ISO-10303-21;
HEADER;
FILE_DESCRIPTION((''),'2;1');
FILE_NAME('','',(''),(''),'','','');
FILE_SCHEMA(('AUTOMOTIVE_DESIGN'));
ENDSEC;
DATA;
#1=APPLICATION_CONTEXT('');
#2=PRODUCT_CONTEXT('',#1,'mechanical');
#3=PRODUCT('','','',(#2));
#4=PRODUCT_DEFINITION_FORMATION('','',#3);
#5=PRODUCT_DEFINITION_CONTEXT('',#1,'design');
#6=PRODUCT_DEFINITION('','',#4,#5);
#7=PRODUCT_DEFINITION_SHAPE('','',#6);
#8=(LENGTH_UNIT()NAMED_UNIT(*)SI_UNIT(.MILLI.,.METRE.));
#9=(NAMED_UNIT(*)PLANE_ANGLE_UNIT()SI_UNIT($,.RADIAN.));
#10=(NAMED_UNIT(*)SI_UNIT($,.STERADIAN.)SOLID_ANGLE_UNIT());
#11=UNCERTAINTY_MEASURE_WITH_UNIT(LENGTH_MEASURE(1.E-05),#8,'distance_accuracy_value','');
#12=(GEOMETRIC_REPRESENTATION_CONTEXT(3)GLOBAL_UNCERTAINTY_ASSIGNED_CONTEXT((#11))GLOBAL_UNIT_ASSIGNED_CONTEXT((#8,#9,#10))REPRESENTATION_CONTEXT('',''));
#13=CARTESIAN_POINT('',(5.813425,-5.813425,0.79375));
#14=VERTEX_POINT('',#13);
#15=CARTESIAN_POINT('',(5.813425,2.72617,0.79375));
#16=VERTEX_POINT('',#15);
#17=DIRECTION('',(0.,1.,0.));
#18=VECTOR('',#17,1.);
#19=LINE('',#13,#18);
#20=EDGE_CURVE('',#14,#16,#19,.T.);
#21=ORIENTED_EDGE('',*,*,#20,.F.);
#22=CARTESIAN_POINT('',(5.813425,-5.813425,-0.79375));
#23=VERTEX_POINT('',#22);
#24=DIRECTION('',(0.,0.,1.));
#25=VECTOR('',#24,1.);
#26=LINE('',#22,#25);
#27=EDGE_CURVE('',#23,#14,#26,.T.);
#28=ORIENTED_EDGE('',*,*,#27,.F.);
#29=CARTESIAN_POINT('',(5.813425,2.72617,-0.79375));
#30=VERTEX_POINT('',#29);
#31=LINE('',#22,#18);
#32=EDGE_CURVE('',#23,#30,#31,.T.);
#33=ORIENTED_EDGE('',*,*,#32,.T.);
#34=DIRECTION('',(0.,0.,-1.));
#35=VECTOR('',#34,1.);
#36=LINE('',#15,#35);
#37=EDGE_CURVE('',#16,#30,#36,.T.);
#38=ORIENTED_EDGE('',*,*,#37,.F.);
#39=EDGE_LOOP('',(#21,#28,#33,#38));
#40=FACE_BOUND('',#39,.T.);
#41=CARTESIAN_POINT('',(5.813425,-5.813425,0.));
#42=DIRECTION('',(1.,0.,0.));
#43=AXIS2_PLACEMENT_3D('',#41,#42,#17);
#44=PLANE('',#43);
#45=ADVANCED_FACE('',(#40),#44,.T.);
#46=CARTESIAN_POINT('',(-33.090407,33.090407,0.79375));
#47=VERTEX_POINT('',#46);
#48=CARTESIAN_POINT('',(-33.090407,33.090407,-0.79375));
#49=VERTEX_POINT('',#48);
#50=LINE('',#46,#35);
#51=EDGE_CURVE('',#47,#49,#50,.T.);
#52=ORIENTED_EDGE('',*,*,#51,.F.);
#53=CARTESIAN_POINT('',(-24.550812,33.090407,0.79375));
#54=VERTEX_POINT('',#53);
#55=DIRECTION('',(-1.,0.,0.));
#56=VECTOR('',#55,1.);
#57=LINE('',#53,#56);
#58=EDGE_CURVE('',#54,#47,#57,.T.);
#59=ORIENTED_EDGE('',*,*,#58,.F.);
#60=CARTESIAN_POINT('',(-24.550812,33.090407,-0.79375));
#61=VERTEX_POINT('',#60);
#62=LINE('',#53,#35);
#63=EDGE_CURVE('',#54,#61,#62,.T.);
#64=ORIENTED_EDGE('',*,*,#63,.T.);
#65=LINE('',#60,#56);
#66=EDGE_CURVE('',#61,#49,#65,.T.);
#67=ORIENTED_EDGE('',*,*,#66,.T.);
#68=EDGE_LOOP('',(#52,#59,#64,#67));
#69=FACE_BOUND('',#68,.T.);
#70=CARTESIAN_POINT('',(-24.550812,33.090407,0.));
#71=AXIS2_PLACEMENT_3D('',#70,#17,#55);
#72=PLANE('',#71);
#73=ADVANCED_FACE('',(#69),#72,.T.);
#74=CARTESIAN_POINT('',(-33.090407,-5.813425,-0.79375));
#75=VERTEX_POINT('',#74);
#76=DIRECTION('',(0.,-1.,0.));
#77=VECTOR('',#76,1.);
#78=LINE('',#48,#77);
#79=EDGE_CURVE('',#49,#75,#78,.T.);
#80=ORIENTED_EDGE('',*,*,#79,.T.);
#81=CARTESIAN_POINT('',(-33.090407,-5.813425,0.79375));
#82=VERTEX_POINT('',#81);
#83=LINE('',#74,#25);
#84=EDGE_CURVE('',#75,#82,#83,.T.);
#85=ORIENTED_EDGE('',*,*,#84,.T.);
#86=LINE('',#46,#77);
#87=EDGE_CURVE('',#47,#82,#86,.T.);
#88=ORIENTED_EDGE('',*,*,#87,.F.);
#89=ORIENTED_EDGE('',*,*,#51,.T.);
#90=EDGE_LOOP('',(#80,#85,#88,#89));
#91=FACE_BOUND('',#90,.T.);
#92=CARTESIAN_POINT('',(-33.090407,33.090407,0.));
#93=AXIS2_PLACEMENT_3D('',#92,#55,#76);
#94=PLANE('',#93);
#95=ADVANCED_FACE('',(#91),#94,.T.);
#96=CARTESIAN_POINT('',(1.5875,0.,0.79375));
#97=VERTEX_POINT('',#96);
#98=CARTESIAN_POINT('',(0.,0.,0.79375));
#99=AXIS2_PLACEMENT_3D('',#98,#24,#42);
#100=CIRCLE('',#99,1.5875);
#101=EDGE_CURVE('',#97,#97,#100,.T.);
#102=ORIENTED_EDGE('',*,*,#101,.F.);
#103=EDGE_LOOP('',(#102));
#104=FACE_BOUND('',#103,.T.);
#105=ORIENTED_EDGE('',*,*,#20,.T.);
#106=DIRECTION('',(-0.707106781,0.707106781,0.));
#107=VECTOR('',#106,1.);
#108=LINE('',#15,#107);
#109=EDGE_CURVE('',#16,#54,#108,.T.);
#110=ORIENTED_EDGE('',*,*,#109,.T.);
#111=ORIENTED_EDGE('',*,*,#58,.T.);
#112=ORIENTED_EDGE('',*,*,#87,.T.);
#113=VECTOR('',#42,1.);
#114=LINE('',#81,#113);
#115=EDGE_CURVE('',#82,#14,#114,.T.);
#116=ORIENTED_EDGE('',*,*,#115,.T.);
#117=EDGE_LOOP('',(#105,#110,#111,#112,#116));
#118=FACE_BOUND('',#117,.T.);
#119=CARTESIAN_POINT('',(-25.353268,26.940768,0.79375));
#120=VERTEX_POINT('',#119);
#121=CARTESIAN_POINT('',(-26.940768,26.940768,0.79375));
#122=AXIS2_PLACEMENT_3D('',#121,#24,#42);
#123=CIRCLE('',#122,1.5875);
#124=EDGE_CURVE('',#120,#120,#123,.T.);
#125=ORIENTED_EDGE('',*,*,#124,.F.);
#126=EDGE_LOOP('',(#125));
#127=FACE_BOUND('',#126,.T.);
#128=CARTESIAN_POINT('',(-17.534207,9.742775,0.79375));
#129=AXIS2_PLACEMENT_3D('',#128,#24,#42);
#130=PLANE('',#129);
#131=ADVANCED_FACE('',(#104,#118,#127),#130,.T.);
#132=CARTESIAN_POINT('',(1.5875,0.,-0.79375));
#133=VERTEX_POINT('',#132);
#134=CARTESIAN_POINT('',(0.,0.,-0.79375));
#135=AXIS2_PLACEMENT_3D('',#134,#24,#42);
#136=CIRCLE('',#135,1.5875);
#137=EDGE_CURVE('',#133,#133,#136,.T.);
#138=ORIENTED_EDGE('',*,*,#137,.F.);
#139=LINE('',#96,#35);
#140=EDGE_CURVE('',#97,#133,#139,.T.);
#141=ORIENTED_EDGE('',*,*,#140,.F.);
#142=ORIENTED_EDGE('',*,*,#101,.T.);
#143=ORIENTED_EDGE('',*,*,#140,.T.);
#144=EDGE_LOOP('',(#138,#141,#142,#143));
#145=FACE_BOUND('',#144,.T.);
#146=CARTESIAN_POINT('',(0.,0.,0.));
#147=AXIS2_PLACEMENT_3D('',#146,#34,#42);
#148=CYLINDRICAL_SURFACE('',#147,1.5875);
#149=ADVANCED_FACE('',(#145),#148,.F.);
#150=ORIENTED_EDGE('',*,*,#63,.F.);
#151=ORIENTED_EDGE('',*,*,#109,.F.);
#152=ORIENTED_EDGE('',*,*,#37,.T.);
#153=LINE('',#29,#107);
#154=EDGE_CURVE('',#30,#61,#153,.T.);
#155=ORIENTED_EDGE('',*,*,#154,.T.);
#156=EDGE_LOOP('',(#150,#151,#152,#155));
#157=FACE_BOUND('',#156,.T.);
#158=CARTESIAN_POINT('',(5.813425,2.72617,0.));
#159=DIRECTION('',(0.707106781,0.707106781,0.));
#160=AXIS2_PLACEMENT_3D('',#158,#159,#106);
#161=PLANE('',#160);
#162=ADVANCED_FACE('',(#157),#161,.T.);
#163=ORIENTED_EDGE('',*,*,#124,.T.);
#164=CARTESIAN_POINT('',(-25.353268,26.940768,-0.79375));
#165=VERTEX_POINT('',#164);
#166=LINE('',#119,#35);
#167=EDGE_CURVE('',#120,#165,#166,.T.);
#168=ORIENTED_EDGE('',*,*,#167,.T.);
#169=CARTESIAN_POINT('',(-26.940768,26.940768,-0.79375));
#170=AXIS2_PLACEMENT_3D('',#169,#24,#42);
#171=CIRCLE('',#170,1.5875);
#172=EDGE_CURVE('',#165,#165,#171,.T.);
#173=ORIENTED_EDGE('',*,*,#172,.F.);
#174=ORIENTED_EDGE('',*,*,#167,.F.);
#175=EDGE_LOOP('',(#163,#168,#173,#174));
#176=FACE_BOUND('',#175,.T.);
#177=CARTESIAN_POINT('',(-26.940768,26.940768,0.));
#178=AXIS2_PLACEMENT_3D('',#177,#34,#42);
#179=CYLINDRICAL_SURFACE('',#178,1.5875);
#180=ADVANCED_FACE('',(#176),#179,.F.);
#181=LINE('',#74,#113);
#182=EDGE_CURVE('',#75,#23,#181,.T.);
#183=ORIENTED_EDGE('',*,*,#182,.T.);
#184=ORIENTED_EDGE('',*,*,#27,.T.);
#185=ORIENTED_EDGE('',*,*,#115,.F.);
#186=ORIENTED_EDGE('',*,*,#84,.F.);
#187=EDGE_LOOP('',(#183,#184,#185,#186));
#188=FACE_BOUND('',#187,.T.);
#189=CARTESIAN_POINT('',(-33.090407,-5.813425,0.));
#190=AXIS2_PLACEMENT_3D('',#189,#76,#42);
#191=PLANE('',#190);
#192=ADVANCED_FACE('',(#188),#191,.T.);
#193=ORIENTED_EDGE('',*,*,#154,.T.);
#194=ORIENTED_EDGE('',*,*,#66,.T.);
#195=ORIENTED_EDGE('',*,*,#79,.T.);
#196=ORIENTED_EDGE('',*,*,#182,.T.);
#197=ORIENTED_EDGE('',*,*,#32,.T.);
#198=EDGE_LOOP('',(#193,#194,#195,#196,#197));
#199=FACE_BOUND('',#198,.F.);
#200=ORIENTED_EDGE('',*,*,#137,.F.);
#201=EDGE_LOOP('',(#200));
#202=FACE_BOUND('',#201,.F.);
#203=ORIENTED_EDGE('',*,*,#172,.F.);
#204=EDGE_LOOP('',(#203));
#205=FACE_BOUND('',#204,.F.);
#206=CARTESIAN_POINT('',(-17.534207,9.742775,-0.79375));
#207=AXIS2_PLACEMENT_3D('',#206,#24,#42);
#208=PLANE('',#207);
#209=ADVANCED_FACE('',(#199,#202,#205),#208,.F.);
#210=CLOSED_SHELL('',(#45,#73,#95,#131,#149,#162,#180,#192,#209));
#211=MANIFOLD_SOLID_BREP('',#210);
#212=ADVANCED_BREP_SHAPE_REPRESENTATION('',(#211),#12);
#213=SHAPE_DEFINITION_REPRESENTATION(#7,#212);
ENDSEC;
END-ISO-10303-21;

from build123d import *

# Parameters (mm, degrees)
F0_R     = 1.5875
F1_DEPTH = 0.79375


with BuildPart() as f1:
    # F0 (on Top) → F1 (new body, symmetric)
    with BuildSketch(Plane.XY):
        Polygon((-33.090407, 33.090407), (-33.090407, -5.813425), (5.813425, -5.813425), (5.813425, 2.72617), (-24.550812, 33.090407), align=None)
        Circle(F0_R, mode=Mode.SUBTRACT)
        with Locations((-26.940768, 26.940768)):
            Circle(F0_R, mode=Mode.SUBTRACT)
    extrude(amount=F1_DEPTH, both=True)


solid = f1.part
